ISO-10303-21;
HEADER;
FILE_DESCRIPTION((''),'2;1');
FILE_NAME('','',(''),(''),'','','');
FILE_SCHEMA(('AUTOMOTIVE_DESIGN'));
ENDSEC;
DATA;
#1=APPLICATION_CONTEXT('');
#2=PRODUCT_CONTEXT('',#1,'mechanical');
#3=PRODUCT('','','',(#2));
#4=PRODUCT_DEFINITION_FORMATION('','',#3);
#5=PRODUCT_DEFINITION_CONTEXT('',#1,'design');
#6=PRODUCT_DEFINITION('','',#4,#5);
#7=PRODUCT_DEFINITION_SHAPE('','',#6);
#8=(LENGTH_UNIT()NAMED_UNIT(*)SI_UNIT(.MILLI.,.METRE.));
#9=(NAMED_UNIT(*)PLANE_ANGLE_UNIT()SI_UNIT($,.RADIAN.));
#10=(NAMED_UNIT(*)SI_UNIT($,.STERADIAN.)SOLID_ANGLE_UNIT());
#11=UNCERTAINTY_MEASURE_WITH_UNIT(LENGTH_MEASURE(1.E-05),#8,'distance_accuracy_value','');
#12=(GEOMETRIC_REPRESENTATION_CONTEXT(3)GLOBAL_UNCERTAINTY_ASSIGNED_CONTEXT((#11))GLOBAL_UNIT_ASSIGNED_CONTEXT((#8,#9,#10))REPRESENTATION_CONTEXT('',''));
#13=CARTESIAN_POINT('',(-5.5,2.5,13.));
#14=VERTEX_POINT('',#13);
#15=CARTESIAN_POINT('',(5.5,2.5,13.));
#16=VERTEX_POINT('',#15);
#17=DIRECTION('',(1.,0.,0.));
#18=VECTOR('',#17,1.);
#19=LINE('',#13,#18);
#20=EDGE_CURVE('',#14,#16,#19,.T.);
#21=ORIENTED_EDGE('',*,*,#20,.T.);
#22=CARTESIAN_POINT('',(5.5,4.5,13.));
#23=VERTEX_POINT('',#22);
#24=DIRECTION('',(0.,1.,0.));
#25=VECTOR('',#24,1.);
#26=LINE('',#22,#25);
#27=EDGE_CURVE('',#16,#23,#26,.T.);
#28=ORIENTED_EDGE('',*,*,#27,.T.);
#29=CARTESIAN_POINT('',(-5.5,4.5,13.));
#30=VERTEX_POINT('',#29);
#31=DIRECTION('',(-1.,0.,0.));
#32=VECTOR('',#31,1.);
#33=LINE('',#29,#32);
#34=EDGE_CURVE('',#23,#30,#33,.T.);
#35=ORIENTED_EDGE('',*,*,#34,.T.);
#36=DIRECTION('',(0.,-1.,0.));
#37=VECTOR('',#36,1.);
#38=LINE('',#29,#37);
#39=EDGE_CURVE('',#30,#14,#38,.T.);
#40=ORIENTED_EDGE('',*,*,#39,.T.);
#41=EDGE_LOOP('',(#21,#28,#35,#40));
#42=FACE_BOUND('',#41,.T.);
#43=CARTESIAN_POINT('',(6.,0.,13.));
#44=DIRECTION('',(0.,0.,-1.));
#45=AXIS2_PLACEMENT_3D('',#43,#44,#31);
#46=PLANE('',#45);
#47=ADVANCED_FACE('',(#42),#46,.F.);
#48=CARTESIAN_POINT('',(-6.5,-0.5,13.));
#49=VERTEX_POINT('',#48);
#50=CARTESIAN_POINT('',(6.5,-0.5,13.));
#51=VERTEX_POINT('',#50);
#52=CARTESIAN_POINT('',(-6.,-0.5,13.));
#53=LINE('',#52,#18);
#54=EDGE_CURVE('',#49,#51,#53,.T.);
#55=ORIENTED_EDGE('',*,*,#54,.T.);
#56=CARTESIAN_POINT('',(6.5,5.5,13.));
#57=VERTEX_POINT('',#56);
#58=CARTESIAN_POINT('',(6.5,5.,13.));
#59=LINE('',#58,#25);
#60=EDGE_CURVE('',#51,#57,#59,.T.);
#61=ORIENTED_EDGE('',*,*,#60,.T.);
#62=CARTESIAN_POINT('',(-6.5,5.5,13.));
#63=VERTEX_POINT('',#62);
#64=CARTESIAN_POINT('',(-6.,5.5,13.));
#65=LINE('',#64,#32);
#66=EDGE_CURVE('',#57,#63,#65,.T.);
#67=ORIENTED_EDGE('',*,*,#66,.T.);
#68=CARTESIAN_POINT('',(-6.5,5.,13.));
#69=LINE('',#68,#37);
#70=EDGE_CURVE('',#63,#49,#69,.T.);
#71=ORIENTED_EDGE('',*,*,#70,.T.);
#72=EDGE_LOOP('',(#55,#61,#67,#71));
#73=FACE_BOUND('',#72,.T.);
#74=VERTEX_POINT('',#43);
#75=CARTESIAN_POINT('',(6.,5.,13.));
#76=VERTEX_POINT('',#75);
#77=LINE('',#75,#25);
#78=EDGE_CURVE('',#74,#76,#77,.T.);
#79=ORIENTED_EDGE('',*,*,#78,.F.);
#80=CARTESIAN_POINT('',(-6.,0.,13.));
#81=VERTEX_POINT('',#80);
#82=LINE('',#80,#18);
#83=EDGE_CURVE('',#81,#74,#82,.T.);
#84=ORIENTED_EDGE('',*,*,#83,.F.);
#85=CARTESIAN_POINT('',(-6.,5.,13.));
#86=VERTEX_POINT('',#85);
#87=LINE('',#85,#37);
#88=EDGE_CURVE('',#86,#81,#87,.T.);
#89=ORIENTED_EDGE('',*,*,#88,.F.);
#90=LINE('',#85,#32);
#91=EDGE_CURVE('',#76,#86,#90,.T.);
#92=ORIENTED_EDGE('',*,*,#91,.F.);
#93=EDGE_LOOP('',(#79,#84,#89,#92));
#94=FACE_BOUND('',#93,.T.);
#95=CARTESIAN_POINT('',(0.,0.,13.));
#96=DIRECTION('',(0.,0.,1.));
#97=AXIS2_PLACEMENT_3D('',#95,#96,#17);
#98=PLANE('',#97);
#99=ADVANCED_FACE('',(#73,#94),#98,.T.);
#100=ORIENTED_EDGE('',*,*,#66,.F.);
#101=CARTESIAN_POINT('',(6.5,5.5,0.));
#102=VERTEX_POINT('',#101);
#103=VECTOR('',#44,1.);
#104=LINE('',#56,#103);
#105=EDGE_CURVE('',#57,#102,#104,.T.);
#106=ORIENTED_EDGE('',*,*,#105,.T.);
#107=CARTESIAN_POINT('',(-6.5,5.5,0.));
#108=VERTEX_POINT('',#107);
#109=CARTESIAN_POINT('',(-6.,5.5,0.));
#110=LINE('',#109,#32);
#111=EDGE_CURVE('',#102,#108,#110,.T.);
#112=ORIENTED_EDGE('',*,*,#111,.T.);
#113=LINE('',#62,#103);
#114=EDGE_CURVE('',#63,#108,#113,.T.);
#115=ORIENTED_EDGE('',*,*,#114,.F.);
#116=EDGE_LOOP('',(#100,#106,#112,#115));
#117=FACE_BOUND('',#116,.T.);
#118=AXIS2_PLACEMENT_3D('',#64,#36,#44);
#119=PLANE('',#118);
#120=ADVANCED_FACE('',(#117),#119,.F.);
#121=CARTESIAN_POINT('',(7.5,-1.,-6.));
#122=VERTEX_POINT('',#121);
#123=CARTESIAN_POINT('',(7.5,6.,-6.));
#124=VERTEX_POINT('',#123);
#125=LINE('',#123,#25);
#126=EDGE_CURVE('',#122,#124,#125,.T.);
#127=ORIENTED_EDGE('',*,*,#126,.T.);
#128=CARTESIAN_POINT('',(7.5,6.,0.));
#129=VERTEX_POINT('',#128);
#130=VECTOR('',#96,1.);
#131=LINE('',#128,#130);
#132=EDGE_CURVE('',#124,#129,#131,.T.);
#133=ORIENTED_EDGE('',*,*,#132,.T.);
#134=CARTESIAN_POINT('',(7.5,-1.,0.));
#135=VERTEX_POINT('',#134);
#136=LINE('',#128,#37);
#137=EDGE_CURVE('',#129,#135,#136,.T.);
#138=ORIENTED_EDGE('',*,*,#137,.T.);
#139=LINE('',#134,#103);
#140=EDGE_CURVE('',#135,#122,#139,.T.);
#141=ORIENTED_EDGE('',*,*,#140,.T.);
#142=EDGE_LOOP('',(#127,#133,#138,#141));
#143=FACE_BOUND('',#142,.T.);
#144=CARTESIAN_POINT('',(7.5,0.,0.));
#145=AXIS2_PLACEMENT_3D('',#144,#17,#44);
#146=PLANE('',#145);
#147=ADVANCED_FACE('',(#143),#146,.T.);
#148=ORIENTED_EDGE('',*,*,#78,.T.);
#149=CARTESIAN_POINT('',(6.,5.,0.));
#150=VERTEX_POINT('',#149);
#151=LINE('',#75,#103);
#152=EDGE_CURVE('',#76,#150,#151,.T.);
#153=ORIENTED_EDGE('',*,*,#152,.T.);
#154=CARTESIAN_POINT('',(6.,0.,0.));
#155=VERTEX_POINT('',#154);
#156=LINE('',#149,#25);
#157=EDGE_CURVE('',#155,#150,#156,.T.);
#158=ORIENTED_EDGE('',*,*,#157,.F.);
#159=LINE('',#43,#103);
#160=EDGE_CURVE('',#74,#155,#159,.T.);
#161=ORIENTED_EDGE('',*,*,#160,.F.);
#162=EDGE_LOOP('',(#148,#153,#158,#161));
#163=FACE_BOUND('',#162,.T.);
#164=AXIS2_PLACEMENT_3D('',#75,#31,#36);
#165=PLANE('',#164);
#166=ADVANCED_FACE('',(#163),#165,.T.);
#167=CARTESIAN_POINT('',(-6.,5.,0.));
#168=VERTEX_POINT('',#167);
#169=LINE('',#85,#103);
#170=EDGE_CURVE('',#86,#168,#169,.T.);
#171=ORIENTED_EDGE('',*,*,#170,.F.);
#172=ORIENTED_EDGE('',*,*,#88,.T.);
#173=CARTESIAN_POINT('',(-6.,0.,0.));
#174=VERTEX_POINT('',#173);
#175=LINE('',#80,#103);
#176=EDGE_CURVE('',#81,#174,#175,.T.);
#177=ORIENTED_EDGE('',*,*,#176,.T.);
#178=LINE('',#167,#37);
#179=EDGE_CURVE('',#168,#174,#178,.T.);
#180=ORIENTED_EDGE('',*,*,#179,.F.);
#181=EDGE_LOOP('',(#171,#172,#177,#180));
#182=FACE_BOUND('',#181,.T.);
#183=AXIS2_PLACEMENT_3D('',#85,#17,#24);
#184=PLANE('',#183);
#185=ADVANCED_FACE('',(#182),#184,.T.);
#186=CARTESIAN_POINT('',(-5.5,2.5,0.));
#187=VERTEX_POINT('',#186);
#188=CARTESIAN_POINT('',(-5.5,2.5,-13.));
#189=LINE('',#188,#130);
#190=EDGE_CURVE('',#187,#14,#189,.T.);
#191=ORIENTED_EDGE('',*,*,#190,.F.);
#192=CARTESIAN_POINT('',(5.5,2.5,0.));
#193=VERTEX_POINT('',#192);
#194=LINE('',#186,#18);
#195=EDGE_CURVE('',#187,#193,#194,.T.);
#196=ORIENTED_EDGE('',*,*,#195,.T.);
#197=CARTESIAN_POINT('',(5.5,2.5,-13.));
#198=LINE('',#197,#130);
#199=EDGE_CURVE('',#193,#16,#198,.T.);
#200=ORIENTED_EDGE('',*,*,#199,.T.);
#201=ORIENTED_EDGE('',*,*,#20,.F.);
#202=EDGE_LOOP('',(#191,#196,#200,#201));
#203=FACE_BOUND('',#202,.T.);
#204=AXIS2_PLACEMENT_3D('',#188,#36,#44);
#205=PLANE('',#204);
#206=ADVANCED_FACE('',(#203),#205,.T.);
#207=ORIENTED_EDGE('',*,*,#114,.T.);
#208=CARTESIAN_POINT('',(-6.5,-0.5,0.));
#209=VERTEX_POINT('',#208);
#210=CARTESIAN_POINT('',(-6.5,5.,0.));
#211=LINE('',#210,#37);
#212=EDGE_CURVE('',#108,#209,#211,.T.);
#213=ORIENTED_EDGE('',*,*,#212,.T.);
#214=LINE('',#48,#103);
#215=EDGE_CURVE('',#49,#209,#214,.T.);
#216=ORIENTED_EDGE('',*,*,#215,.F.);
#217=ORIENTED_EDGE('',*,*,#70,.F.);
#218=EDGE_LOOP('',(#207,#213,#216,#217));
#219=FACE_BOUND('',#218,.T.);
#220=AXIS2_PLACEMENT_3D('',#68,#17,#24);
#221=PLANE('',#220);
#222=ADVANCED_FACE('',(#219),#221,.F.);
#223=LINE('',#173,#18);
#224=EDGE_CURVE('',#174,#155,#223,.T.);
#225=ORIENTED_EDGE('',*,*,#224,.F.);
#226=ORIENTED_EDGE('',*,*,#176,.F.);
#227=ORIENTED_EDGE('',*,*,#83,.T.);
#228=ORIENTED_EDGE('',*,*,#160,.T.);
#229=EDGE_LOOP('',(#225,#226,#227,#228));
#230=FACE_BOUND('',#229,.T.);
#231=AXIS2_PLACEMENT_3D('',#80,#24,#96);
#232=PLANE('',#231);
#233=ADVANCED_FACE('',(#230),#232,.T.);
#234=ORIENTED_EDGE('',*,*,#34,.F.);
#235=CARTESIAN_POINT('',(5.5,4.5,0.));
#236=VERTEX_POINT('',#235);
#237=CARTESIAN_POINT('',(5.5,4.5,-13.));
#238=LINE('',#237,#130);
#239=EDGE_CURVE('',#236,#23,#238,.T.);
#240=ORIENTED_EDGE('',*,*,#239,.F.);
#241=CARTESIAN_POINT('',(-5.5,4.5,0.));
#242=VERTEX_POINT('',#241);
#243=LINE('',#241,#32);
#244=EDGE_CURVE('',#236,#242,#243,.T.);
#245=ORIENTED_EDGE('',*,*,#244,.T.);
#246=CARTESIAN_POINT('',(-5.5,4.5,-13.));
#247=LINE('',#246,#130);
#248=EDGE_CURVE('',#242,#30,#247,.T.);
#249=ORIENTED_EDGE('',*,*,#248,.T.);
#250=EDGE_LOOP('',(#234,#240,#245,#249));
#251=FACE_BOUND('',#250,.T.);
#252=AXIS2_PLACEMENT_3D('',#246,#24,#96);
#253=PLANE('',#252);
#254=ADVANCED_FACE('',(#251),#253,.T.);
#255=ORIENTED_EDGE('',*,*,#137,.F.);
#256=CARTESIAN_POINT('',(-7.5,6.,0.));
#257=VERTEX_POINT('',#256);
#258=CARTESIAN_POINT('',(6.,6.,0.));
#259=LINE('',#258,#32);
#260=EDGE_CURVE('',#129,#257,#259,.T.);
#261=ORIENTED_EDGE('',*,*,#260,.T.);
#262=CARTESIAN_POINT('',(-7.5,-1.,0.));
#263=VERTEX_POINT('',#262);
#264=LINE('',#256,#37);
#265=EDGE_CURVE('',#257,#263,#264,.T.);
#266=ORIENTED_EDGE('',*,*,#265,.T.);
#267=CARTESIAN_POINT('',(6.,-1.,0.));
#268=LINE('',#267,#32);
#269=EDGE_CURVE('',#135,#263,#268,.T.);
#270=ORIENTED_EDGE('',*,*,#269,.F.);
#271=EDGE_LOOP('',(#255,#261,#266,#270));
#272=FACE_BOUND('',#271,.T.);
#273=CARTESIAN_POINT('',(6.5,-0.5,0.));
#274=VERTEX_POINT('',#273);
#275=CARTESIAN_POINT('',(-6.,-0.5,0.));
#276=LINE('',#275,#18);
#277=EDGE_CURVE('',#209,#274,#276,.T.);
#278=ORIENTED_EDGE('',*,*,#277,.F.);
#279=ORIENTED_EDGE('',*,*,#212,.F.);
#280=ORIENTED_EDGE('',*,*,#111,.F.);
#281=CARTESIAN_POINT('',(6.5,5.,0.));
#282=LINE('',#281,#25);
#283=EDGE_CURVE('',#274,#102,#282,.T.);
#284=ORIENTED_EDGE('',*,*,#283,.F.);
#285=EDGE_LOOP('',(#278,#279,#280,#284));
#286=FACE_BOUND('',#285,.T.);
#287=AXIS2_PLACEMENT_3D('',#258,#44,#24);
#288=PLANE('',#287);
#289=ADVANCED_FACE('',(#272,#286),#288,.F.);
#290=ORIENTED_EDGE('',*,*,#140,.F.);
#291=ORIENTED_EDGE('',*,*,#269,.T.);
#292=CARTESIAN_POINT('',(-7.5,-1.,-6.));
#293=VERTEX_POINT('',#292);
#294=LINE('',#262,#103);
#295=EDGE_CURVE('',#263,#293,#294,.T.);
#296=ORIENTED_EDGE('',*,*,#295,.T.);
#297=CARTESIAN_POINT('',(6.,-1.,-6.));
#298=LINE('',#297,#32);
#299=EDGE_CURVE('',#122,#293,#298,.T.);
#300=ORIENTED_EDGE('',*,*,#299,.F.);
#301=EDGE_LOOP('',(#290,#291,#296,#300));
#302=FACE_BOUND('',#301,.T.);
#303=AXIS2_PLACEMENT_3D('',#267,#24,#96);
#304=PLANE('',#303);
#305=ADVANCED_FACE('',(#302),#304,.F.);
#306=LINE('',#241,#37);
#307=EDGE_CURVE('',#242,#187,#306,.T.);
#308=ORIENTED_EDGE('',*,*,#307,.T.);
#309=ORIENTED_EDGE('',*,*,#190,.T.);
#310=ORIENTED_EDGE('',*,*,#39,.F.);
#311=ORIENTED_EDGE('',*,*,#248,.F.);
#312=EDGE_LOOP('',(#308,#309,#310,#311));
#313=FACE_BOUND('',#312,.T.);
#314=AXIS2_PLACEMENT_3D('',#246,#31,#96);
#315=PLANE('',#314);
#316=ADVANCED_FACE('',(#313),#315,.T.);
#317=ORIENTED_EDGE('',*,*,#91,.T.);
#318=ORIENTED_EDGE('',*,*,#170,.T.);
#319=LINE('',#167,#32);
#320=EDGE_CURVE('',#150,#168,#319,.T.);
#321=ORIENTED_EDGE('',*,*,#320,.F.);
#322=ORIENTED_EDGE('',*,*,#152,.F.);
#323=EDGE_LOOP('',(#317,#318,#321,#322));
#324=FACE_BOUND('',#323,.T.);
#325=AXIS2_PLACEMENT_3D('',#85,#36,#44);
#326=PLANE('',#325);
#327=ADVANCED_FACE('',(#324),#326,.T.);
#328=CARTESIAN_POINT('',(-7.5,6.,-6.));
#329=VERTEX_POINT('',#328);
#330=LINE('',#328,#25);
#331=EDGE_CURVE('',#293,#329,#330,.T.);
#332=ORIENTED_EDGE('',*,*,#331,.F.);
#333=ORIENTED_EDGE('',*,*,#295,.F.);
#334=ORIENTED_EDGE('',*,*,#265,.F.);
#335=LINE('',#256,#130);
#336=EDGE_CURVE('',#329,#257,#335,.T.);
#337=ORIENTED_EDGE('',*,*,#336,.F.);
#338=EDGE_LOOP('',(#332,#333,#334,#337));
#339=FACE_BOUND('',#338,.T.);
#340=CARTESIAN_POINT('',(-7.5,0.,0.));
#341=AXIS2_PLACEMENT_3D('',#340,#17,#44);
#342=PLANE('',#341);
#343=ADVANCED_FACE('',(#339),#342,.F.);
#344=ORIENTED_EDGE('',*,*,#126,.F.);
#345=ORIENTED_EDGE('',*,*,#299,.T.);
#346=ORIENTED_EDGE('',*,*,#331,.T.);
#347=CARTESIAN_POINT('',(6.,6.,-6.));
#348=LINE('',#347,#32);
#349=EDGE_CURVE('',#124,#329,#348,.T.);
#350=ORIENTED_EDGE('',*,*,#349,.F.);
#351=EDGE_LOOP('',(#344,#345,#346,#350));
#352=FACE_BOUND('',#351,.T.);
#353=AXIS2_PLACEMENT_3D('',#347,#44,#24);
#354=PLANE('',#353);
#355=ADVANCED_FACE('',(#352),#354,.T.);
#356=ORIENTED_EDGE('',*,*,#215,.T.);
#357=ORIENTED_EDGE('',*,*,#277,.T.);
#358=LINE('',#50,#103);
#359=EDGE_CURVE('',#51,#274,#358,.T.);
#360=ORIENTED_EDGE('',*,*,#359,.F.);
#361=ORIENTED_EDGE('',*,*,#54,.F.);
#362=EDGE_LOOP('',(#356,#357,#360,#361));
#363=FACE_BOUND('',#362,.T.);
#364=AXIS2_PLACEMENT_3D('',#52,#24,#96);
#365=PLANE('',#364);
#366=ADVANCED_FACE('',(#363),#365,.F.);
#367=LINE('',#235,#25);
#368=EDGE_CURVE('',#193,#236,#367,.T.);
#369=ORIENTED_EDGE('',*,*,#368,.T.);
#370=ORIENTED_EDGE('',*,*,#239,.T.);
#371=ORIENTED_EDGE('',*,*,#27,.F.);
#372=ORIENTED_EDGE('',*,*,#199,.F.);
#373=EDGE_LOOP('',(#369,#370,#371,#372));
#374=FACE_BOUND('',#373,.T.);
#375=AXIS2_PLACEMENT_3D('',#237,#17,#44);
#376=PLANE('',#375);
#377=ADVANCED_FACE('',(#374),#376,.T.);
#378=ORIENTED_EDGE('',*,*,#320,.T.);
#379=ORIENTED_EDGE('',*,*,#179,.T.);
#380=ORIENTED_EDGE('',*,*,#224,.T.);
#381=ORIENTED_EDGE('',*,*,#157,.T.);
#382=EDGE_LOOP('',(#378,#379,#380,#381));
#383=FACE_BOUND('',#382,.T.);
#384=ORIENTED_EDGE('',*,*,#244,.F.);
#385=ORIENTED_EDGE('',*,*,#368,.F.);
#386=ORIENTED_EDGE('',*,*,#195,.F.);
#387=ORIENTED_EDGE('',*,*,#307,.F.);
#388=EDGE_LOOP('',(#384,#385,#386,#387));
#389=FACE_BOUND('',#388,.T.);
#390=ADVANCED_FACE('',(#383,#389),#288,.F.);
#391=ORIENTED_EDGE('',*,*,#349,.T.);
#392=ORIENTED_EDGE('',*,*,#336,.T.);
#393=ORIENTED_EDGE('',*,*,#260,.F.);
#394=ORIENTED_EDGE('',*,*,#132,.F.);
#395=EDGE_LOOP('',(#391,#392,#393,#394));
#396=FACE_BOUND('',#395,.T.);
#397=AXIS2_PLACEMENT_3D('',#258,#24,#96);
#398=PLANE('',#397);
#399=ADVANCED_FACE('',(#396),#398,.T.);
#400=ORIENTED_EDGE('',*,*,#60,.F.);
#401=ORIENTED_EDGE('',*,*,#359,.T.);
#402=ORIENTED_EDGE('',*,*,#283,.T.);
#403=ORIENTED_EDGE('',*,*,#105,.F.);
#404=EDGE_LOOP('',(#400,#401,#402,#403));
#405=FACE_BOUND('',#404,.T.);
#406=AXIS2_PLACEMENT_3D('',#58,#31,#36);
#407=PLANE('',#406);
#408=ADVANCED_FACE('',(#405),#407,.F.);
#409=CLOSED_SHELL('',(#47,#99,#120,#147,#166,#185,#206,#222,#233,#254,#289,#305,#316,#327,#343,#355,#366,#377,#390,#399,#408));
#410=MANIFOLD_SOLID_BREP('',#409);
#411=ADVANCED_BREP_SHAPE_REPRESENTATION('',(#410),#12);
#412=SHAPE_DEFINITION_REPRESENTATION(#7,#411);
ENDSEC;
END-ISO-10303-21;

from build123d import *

# Parameters (mm, degrees)
SKETCH_1_W          = 13
SKETCH_1_H          = 5
SKETCH_1_W_2        = 6
SKETCH_1_H_2        = 7
EXTRUDE_1_DEPTH     = 6
SKETCH_3_W          = 6
SKETCH_3_H          = 7
EXTRUDE_2_DEPTH     = 7.5
SKETCH_4_W          = 12
SKETCH_4_H          = 5
SKETCH_4_W_2        = 11
SKETCH_4_H_2        = 2
CUT_EXTRUDE_1_DEPTH = 13
SKETCH_5_W          = 13
SKETCH_5_H          = 6
SKETCH_5_W_2        = 12
SKETCH_5_H_2        = 5
EXTRUDE_1_2_DEPTH   = 13


with BuildPart() as part:
    # 草图1 → Extrude 1 (new body, symmetric)
    with BuildSketch(Plane(origin=(0, 0, 0), x_dir=(0, 0, -1), z_dir=(1, 0, 0))):
        with Locations((-6.5, 2.5)):
            Rectangle(SKETCH_1_W, SKETCH_1_H)
        with Locations((3, 2.5)):
            Rectangle(SKETCH_1_W_2, SKETCH_1_H_2)
    extrude(amount=EXTRUDE_1_DEPTH, both=True)

    # 草图3 → 凸台-拉伸2 (add, symmetric)
    with BuildSketch(Plane(origin=(0, 0, 0), x_dir=(0, 0, -1), z_dir=(1, 0, 0))):
        with Locations((3, 2.5)):
            Rectangle(SKETCH_3_W, SKETCH_3_H)
    extrude(amount=EXTRUDE_2_DEPTH, both=True)

    # 草图4 → 切除-拉伸1 (cut)
    with BuildSketch(Plane.XY.offset(13)):
        with Locations((0, 2.5)):
            Rectangle(SKETCH_4_W, SKETCH_4_H)
        with Locations((0, 3.5)):
            Rectangle(SKETCH_4_W_2, SKETCH_4_H_2, mode=Mode.SUBTRACT)
    extrude(amount=-CUT_EXTRUDE_1_DEPTH, mode=Mode.SUBTRACT)

    # 草图5 → Extrude 1 2 (add)
    with BuildSketch(Plane.XY):
        with Locations((0, 2.5)):
            Rectangle(SKETCH_5_W, SKETCH_5_H)
        with Locations((0, 2.5)):
            Rectangle(SKETCH_5_W_2, SKETCH_5_H_2, mode=Mode.SUBTRACT)
    extrude(amount=EXTRUDE_1_2_DEPTH)


solid = part.part
